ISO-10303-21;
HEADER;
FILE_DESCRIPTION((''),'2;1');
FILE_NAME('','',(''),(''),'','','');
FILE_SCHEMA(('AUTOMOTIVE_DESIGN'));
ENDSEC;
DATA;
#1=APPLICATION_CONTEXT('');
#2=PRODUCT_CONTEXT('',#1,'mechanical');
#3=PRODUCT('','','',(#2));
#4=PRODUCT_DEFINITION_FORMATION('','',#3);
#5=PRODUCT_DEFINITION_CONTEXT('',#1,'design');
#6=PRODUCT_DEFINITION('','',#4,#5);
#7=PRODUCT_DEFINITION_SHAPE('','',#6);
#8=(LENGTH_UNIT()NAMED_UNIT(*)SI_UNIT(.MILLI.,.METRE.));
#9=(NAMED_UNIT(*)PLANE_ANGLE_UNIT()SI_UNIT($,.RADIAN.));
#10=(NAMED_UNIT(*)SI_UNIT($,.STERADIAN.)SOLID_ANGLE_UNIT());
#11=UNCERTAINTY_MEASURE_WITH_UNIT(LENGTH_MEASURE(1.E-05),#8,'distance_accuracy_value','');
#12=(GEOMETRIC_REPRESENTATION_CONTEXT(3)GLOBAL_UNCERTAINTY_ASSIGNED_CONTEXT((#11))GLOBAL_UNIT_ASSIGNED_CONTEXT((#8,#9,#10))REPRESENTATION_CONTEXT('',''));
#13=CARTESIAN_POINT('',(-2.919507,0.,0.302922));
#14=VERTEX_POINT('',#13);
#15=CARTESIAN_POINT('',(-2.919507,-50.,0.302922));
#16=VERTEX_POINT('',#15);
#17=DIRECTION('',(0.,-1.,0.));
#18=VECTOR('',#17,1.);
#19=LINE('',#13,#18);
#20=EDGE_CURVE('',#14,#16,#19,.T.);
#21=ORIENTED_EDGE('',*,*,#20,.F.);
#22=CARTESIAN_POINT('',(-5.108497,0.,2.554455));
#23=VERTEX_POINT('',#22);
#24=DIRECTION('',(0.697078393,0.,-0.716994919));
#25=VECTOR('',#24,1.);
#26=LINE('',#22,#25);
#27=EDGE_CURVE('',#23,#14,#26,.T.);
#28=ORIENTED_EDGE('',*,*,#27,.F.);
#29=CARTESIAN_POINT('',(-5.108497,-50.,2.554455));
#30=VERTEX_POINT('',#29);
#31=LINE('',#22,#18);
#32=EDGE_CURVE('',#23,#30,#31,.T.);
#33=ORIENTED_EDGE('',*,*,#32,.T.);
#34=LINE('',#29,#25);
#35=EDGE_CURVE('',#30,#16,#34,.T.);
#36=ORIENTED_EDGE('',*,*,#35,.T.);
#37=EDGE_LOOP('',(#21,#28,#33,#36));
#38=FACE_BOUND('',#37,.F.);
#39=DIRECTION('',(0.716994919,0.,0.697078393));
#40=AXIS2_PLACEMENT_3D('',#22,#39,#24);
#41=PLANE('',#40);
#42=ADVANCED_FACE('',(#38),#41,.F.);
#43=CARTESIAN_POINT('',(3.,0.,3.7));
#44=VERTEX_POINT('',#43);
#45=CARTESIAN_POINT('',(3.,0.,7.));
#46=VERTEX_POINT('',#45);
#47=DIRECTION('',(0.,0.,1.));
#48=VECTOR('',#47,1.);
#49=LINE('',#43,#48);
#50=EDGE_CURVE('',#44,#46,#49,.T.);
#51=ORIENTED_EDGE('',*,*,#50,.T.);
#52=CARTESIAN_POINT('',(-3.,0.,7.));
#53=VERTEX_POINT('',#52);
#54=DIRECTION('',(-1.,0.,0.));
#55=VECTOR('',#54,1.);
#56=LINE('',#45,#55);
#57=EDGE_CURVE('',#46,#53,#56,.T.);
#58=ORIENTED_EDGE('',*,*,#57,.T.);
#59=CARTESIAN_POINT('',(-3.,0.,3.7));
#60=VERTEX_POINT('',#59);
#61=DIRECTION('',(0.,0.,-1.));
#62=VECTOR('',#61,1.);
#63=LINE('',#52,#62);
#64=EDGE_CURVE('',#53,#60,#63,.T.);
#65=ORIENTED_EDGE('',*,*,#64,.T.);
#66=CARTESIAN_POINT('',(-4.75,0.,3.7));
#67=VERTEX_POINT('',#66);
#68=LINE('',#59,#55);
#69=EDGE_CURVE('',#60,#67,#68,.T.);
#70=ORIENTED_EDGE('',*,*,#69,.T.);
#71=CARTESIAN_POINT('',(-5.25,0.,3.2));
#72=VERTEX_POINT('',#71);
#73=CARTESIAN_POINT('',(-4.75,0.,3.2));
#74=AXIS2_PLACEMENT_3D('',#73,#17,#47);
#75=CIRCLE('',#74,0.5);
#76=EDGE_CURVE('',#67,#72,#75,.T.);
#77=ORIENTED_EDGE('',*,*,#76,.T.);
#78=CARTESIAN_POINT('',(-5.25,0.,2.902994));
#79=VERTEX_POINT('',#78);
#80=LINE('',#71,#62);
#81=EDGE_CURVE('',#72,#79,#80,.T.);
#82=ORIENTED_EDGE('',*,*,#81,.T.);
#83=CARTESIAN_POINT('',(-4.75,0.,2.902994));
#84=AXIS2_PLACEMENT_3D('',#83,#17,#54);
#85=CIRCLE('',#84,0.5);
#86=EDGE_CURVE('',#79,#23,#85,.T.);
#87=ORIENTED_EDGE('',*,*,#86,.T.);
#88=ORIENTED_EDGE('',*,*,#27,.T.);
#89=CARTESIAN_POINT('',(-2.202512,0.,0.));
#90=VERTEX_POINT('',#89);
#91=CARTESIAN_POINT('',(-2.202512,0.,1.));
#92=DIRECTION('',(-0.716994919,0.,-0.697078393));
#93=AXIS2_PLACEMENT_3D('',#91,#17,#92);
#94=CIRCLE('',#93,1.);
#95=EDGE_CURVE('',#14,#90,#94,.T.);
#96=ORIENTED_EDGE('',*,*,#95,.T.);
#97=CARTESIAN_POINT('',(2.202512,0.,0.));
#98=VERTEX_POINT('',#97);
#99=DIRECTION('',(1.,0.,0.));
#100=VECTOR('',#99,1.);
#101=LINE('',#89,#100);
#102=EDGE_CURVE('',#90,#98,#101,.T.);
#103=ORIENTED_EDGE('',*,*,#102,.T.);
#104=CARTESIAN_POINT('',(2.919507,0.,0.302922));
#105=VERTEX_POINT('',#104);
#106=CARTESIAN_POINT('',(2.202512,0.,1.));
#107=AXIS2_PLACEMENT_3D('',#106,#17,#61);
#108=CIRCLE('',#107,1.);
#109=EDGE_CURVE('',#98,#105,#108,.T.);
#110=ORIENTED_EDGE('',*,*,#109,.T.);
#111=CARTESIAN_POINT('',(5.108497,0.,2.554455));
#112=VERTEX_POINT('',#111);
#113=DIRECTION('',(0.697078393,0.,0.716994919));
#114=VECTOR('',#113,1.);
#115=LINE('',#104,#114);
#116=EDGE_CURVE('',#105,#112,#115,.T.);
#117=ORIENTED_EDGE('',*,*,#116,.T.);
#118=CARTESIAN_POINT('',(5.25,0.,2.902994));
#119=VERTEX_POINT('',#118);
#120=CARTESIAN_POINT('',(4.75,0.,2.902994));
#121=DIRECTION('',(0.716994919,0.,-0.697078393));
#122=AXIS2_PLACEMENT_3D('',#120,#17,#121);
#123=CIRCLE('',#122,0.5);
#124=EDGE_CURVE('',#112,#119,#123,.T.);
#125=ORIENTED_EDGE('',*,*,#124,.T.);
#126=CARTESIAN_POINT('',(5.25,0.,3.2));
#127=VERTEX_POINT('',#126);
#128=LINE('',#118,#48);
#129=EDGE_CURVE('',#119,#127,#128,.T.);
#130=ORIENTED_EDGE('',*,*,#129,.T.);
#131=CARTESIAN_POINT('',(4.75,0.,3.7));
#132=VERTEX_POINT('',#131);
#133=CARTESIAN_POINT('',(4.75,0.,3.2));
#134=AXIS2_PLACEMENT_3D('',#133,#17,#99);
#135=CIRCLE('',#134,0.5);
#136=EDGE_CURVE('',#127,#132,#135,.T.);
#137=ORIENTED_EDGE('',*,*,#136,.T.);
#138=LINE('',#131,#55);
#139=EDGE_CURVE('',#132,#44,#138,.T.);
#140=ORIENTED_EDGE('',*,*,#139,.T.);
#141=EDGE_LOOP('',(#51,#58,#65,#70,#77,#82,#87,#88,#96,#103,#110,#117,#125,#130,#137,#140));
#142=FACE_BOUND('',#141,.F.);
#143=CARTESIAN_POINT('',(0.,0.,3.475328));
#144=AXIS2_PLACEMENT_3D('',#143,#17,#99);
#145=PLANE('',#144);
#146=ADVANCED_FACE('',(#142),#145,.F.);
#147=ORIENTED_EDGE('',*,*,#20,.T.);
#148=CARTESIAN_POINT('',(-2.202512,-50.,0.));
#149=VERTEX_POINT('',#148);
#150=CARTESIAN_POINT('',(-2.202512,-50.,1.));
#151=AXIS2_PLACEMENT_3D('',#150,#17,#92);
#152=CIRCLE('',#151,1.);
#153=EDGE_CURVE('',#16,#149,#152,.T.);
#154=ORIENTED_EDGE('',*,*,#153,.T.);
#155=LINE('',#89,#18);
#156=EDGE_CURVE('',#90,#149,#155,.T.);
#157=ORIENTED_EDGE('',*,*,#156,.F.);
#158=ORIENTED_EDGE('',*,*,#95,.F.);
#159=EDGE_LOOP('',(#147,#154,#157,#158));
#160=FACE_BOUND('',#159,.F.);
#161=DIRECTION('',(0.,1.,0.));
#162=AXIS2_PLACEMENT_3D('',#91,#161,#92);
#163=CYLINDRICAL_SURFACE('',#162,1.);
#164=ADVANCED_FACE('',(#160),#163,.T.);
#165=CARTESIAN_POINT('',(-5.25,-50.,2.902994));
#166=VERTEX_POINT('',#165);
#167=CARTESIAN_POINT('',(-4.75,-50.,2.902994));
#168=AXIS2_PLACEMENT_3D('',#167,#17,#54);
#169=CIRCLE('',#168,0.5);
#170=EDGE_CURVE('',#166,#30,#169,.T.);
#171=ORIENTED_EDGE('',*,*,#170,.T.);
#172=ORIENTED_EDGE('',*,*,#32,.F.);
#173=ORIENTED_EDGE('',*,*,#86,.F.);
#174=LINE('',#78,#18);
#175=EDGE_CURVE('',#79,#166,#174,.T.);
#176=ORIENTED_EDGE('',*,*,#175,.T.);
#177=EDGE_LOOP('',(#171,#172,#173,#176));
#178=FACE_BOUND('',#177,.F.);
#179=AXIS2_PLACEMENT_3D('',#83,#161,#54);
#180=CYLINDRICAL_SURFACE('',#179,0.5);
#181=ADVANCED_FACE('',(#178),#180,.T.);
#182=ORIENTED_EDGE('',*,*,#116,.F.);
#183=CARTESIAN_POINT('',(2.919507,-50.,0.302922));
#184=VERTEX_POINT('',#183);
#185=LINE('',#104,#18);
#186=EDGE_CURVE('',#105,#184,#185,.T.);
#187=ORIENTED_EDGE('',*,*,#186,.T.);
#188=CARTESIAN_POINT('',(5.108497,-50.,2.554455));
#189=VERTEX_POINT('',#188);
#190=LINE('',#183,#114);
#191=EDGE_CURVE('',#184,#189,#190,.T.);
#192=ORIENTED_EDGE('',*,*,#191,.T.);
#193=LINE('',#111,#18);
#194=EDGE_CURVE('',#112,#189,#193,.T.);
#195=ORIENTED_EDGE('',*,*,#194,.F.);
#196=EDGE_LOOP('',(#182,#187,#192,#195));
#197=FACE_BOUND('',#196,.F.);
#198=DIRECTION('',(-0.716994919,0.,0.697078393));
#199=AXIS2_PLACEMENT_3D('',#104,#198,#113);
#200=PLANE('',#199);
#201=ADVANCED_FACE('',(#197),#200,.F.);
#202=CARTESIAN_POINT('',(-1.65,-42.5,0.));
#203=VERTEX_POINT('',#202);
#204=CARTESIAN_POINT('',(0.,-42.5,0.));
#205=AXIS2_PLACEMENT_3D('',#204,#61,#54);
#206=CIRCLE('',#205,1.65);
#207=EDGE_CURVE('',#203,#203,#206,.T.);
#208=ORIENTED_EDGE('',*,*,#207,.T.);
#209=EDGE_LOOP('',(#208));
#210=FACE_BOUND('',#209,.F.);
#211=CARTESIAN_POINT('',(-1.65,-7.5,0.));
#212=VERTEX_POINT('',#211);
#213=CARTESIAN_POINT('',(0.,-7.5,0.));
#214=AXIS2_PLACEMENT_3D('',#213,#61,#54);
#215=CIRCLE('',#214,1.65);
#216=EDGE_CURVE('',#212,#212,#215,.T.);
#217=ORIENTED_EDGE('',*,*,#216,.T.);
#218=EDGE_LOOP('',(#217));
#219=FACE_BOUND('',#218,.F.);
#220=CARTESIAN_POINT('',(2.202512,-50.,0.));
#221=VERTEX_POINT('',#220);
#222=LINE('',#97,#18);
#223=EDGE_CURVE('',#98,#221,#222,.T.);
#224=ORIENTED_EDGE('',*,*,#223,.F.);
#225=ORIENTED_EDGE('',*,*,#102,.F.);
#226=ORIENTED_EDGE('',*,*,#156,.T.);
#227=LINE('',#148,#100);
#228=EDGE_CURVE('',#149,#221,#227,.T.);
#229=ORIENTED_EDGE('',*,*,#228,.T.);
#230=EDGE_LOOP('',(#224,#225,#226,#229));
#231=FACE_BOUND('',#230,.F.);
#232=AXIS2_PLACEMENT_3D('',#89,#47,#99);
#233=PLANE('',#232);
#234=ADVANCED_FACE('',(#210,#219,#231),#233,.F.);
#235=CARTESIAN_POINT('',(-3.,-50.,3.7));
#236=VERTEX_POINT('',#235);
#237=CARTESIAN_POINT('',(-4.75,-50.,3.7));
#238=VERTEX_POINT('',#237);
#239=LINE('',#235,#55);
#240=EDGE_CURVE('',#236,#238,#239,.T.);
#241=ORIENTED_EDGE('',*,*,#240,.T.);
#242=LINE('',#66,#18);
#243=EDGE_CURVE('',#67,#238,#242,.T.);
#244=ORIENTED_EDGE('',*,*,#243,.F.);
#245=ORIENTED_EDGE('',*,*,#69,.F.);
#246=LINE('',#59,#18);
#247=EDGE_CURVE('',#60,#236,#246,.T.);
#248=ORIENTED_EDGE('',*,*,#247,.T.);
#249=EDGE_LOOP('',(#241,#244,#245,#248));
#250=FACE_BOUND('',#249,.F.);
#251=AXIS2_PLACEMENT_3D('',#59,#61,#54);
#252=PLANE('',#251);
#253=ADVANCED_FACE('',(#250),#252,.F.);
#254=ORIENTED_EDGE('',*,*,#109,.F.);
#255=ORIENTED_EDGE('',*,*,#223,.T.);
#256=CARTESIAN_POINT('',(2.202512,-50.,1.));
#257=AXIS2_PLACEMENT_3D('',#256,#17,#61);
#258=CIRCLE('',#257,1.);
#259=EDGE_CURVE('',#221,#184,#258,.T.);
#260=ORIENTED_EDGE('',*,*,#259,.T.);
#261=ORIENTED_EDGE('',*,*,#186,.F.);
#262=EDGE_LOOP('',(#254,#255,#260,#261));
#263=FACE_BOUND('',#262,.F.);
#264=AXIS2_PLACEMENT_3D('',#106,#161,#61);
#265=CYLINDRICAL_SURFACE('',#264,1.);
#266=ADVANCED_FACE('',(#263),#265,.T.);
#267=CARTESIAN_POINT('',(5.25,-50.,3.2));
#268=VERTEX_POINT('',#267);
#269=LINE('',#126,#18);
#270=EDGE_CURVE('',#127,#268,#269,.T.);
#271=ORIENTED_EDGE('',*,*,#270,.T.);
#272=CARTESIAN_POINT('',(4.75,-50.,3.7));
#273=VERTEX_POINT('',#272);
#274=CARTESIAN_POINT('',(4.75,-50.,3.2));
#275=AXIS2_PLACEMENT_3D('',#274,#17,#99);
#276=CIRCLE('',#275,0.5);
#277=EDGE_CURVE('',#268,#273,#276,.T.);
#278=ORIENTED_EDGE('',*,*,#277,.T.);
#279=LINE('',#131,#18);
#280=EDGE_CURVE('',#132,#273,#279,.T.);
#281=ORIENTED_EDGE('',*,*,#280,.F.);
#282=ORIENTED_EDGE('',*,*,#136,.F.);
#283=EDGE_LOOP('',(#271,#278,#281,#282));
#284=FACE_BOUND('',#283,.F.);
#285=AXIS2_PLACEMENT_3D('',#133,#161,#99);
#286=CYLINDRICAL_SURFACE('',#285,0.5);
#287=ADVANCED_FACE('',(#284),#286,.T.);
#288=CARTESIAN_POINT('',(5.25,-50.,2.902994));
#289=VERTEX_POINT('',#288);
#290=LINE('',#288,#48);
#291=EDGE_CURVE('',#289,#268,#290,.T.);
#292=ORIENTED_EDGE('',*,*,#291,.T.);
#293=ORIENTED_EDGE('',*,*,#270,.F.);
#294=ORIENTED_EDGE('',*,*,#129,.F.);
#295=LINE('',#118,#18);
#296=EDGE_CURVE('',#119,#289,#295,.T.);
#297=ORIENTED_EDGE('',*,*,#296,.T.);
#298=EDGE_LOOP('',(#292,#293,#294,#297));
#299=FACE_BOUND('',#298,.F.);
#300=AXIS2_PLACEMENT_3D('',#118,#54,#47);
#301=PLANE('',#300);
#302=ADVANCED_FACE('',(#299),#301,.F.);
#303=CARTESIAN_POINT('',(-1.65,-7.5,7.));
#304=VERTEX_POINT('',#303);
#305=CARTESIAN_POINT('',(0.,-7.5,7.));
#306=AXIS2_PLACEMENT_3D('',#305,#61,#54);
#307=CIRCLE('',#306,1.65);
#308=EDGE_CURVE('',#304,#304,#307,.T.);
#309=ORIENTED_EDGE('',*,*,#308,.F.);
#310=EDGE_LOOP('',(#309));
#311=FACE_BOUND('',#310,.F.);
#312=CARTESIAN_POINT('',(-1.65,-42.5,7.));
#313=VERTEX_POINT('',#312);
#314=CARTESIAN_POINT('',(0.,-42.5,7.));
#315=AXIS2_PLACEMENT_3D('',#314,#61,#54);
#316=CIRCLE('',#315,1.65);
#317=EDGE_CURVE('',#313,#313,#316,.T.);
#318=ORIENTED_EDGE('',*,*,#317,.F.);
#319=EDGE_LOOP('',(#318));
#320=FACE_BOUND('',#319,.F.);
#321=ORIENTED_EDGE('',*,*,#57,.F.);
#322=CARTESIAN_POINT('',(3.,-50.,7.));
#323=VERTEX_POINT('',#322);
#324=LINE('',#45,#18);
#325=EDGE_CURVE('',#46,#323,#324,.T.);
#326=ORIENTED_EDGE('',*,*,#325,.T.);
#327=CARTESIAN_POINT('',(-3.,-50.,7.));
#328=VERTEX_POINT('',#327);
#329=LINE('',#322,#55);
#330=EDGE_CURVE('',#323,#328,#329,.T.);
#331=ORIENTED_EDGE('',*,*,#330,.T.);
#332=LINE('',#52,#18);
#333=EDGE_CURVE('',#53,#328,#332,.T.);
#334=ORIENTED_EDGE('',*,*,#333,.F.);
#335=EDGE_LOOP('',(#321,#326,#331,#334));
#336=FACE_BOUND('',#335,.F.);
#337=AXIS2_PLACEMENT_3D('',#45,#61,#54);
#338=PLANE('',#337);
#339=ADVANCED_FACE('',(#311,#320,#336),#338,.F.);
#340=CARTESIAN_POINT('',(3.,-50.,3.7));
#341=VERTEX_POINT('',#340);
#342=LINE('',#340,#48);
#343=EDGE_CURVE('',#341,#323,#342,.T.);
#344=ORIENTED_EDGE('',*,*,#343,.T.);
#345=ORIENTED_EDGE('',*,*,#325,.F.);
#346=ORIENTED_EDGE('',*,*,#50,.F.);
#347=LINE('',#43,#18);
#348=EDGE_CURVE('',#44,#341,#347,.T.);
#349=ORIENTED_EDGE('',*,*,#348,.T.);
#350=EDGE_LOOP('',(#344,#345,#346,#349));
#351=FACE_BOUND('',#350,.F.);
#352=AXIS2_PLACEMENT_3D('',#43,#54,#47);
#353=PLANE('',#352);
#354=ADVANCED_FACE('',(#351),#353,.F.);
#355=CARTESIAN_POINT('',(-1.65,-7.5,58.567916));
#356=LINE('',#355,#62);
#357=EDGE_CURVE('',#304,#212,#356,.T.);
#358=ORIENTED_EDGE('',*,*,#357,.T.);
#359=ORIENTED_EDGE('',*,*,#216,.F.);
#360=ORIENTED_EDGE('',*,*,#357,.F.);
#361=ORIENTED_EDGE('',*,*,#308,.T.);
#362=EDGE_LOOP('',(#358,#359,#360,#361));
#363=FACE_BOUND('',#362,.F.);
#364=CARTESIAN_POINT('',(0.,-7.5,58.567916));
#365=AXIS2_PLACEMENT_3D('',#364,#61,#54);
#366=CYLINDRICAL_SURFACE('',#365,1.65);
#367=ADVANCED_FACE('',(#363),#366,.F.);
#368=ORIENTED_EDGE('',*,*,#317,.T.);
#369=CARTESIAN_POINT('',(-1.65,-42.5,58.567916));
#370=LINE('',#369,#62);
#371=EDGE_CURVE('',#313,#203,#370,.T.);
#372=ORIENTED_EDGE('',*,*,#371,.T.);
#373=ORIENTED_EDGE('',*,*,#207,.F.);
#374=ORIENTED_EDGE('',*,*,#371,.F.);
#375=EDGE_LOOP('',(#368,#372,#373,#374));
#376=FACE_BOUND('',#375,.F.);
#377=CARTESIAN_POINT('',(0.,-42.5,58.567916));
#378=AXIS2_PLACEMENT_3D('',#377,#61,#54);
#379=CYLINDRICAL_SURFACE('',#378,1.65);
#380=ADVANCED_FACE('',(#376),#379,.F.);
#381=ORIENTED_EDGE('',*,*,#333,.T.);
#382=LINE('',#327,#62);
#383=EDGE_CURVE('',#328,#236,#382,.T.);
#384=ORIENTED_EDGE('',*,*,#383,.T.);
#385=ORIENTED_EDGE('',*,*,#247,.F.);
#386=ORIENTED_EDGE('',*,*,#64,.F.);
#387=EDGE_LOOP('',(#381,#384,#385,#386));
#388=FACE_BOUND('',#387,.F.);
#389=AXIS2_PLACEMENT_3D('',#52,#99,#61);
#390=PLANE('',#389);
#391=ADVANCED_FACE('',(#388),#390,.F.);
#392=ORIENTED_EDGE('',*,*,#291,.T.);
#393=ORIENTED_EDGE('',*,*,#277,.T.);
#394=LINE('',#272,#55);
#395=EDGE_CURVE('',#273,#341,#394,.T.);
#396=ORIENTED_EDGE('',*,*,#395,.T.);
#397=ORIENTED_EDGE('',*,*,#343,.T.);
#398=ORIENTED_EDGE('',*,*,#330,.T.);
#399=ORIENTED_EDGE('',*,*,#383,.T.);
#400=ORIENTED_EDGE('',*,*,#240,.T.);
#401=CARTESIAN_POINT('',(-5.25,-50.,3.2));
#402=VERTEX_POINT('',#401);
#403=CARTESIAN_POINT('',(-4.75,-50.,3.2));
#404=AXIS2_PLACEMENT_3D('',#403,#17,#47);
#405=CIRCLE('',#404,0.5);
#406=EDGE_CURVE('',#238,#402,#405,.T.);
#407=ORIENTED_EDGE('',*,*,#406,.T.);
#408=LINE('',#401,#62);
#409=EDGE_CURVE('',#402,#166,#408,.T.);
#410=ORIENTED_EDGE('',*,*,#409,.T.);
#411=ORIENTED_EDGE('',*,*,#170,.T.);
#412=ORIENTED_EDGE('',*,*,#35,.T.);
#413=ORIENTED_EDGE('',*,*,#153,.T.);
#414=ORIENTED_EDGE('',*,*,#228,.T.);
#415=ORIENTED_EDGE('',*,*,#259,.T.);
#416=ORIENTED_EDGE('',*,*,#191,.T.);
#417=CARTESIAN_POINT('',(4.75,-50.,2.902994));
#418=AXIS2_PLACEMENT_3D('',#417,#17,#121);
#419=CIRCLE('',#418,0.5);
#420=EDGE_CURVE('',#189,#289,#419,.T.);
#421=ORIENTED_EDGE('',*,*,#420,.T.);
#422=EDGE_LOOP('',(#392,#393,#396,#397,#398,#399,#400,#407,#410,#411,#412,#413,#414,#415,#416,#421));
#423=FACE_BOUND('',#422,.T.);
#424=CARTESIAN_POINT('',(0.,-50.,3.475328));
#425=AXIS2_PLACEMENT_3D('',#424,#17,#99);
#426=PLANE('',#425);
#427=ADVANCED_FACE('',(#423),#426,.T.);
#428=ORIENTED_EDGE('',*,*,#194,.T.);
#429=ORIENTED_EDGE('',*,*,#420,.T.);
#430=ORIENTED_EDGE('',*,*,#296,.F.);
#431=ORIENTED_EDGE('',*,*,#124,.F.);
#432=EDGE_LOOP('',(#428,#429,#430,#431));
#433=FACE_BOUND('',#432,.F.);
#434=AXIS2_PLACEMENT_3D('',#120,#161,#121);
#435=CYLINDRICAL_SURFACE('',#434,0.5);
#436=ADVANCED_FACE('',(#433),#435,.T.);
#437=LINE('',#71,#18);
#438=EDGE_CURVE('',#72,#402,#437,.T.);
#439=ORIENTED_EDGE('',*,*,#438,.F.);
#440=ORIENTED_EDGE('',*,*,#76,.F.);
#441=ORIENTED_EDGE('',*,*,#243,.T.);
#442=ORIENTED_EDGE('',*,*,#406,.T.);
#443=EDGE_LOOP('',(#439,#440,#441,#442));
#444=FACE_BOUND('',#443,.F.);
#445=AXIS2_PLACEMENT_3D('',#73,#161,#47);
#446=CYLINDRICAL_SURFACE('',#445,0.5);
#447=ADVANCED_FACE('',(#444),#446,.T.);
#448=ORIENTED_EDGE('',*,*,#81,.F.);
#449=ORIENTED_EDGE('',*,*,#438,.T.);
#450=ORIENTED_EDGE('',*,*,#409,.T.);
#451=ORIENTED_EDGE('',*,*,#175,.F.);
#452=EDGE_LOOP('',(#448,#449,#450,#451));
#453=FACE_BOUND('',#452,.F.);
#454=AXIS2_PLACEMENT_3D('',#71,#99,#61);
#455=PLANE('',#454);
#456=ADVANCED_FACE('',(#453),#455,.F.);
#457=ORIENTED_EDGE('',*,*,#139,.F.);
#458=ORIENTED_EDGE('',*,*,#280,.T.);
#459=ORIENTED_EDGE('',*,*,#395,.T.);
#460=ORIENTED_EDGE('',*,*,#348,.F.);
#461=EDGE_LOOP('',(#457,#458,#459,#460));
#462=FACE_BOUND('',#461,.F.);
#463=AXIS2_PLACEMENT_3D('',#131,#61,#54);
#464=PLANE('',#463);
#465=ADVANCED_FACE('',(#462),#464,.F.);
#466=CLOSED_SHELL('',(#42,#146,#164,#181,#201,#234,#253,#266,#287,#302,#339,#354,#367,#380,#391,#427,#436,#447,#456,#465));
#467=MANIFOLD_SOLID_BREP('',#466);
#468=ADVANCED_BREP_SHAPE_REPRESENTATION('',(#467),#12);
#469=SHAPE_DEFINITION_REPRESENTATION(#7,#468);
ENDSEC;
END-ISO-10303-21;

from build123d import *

# Parameters (mm, degrees)
F1_DEPTH = 50
F3_D     = 3.3


with BuildPart() as f1:
    # F0 (on Front) → F1 (new body)
    with BuildSketch(Plane.XZ):
        with BuildLine():
            ThreePointArc((-2.9195071176, 0.3029216067), (-2.5916918532, 0.0788381268), (-2.2025121988, 0))
            Line((-2.2025121988, 0), (2.2025121988, 0))
            ThreePointArc((2.2025121988, 0), (2.5916918532, 0.0788381268), (2.9195071176, 0.3029216067))
            Line((2.9195071176, 0.3029216067), (5.1084974594, 2.5544545297))
            ThreePointArc((5.1084974594, 2.5544545297), (5.2132756899, 2.7149096091), (5.25, 2.9029937263))
            Line((5.25, 2.9029937263), (5.25, 3.2))
            ThreePointArc((5.25, 3.2), (5.1035533906, 3.5535533906), (4.75, 3.7))
            Line((4.75, 3.7), (3, 3.7))
            Line((3, 3.7), (3, 7))
            Line((3, 7), (-3, 7))
            Line((-3, 7), (-3, 3.7))
            Line((-3, 3.7), (-4.75, 3.7))
            ThreePointArc((-4.75, 3.7), (-5.1035533906, 3.5535533906), (-5.25, 3.2))
            Line((-5.25, 3.2), (-5.25, 2.9029937263))
            ThreePointArc((-5.25, 2.9029937263), (-5.2132756899, 2.7149096091), (-5.1084974594, 2.5544545297))
            Line((-5.1084974594, 2.5544545297), (-2.9195071176, 0.3029216067))
        make_face()
    extrude(amount=F1_DEPTH)

    # F3 (through all)
    with Locations(Plane.XY.offset(7)):
        with Locations((0, -42.5), (0, -7.5)):
            Hole(F3_D / 2)


solid = f1.part
